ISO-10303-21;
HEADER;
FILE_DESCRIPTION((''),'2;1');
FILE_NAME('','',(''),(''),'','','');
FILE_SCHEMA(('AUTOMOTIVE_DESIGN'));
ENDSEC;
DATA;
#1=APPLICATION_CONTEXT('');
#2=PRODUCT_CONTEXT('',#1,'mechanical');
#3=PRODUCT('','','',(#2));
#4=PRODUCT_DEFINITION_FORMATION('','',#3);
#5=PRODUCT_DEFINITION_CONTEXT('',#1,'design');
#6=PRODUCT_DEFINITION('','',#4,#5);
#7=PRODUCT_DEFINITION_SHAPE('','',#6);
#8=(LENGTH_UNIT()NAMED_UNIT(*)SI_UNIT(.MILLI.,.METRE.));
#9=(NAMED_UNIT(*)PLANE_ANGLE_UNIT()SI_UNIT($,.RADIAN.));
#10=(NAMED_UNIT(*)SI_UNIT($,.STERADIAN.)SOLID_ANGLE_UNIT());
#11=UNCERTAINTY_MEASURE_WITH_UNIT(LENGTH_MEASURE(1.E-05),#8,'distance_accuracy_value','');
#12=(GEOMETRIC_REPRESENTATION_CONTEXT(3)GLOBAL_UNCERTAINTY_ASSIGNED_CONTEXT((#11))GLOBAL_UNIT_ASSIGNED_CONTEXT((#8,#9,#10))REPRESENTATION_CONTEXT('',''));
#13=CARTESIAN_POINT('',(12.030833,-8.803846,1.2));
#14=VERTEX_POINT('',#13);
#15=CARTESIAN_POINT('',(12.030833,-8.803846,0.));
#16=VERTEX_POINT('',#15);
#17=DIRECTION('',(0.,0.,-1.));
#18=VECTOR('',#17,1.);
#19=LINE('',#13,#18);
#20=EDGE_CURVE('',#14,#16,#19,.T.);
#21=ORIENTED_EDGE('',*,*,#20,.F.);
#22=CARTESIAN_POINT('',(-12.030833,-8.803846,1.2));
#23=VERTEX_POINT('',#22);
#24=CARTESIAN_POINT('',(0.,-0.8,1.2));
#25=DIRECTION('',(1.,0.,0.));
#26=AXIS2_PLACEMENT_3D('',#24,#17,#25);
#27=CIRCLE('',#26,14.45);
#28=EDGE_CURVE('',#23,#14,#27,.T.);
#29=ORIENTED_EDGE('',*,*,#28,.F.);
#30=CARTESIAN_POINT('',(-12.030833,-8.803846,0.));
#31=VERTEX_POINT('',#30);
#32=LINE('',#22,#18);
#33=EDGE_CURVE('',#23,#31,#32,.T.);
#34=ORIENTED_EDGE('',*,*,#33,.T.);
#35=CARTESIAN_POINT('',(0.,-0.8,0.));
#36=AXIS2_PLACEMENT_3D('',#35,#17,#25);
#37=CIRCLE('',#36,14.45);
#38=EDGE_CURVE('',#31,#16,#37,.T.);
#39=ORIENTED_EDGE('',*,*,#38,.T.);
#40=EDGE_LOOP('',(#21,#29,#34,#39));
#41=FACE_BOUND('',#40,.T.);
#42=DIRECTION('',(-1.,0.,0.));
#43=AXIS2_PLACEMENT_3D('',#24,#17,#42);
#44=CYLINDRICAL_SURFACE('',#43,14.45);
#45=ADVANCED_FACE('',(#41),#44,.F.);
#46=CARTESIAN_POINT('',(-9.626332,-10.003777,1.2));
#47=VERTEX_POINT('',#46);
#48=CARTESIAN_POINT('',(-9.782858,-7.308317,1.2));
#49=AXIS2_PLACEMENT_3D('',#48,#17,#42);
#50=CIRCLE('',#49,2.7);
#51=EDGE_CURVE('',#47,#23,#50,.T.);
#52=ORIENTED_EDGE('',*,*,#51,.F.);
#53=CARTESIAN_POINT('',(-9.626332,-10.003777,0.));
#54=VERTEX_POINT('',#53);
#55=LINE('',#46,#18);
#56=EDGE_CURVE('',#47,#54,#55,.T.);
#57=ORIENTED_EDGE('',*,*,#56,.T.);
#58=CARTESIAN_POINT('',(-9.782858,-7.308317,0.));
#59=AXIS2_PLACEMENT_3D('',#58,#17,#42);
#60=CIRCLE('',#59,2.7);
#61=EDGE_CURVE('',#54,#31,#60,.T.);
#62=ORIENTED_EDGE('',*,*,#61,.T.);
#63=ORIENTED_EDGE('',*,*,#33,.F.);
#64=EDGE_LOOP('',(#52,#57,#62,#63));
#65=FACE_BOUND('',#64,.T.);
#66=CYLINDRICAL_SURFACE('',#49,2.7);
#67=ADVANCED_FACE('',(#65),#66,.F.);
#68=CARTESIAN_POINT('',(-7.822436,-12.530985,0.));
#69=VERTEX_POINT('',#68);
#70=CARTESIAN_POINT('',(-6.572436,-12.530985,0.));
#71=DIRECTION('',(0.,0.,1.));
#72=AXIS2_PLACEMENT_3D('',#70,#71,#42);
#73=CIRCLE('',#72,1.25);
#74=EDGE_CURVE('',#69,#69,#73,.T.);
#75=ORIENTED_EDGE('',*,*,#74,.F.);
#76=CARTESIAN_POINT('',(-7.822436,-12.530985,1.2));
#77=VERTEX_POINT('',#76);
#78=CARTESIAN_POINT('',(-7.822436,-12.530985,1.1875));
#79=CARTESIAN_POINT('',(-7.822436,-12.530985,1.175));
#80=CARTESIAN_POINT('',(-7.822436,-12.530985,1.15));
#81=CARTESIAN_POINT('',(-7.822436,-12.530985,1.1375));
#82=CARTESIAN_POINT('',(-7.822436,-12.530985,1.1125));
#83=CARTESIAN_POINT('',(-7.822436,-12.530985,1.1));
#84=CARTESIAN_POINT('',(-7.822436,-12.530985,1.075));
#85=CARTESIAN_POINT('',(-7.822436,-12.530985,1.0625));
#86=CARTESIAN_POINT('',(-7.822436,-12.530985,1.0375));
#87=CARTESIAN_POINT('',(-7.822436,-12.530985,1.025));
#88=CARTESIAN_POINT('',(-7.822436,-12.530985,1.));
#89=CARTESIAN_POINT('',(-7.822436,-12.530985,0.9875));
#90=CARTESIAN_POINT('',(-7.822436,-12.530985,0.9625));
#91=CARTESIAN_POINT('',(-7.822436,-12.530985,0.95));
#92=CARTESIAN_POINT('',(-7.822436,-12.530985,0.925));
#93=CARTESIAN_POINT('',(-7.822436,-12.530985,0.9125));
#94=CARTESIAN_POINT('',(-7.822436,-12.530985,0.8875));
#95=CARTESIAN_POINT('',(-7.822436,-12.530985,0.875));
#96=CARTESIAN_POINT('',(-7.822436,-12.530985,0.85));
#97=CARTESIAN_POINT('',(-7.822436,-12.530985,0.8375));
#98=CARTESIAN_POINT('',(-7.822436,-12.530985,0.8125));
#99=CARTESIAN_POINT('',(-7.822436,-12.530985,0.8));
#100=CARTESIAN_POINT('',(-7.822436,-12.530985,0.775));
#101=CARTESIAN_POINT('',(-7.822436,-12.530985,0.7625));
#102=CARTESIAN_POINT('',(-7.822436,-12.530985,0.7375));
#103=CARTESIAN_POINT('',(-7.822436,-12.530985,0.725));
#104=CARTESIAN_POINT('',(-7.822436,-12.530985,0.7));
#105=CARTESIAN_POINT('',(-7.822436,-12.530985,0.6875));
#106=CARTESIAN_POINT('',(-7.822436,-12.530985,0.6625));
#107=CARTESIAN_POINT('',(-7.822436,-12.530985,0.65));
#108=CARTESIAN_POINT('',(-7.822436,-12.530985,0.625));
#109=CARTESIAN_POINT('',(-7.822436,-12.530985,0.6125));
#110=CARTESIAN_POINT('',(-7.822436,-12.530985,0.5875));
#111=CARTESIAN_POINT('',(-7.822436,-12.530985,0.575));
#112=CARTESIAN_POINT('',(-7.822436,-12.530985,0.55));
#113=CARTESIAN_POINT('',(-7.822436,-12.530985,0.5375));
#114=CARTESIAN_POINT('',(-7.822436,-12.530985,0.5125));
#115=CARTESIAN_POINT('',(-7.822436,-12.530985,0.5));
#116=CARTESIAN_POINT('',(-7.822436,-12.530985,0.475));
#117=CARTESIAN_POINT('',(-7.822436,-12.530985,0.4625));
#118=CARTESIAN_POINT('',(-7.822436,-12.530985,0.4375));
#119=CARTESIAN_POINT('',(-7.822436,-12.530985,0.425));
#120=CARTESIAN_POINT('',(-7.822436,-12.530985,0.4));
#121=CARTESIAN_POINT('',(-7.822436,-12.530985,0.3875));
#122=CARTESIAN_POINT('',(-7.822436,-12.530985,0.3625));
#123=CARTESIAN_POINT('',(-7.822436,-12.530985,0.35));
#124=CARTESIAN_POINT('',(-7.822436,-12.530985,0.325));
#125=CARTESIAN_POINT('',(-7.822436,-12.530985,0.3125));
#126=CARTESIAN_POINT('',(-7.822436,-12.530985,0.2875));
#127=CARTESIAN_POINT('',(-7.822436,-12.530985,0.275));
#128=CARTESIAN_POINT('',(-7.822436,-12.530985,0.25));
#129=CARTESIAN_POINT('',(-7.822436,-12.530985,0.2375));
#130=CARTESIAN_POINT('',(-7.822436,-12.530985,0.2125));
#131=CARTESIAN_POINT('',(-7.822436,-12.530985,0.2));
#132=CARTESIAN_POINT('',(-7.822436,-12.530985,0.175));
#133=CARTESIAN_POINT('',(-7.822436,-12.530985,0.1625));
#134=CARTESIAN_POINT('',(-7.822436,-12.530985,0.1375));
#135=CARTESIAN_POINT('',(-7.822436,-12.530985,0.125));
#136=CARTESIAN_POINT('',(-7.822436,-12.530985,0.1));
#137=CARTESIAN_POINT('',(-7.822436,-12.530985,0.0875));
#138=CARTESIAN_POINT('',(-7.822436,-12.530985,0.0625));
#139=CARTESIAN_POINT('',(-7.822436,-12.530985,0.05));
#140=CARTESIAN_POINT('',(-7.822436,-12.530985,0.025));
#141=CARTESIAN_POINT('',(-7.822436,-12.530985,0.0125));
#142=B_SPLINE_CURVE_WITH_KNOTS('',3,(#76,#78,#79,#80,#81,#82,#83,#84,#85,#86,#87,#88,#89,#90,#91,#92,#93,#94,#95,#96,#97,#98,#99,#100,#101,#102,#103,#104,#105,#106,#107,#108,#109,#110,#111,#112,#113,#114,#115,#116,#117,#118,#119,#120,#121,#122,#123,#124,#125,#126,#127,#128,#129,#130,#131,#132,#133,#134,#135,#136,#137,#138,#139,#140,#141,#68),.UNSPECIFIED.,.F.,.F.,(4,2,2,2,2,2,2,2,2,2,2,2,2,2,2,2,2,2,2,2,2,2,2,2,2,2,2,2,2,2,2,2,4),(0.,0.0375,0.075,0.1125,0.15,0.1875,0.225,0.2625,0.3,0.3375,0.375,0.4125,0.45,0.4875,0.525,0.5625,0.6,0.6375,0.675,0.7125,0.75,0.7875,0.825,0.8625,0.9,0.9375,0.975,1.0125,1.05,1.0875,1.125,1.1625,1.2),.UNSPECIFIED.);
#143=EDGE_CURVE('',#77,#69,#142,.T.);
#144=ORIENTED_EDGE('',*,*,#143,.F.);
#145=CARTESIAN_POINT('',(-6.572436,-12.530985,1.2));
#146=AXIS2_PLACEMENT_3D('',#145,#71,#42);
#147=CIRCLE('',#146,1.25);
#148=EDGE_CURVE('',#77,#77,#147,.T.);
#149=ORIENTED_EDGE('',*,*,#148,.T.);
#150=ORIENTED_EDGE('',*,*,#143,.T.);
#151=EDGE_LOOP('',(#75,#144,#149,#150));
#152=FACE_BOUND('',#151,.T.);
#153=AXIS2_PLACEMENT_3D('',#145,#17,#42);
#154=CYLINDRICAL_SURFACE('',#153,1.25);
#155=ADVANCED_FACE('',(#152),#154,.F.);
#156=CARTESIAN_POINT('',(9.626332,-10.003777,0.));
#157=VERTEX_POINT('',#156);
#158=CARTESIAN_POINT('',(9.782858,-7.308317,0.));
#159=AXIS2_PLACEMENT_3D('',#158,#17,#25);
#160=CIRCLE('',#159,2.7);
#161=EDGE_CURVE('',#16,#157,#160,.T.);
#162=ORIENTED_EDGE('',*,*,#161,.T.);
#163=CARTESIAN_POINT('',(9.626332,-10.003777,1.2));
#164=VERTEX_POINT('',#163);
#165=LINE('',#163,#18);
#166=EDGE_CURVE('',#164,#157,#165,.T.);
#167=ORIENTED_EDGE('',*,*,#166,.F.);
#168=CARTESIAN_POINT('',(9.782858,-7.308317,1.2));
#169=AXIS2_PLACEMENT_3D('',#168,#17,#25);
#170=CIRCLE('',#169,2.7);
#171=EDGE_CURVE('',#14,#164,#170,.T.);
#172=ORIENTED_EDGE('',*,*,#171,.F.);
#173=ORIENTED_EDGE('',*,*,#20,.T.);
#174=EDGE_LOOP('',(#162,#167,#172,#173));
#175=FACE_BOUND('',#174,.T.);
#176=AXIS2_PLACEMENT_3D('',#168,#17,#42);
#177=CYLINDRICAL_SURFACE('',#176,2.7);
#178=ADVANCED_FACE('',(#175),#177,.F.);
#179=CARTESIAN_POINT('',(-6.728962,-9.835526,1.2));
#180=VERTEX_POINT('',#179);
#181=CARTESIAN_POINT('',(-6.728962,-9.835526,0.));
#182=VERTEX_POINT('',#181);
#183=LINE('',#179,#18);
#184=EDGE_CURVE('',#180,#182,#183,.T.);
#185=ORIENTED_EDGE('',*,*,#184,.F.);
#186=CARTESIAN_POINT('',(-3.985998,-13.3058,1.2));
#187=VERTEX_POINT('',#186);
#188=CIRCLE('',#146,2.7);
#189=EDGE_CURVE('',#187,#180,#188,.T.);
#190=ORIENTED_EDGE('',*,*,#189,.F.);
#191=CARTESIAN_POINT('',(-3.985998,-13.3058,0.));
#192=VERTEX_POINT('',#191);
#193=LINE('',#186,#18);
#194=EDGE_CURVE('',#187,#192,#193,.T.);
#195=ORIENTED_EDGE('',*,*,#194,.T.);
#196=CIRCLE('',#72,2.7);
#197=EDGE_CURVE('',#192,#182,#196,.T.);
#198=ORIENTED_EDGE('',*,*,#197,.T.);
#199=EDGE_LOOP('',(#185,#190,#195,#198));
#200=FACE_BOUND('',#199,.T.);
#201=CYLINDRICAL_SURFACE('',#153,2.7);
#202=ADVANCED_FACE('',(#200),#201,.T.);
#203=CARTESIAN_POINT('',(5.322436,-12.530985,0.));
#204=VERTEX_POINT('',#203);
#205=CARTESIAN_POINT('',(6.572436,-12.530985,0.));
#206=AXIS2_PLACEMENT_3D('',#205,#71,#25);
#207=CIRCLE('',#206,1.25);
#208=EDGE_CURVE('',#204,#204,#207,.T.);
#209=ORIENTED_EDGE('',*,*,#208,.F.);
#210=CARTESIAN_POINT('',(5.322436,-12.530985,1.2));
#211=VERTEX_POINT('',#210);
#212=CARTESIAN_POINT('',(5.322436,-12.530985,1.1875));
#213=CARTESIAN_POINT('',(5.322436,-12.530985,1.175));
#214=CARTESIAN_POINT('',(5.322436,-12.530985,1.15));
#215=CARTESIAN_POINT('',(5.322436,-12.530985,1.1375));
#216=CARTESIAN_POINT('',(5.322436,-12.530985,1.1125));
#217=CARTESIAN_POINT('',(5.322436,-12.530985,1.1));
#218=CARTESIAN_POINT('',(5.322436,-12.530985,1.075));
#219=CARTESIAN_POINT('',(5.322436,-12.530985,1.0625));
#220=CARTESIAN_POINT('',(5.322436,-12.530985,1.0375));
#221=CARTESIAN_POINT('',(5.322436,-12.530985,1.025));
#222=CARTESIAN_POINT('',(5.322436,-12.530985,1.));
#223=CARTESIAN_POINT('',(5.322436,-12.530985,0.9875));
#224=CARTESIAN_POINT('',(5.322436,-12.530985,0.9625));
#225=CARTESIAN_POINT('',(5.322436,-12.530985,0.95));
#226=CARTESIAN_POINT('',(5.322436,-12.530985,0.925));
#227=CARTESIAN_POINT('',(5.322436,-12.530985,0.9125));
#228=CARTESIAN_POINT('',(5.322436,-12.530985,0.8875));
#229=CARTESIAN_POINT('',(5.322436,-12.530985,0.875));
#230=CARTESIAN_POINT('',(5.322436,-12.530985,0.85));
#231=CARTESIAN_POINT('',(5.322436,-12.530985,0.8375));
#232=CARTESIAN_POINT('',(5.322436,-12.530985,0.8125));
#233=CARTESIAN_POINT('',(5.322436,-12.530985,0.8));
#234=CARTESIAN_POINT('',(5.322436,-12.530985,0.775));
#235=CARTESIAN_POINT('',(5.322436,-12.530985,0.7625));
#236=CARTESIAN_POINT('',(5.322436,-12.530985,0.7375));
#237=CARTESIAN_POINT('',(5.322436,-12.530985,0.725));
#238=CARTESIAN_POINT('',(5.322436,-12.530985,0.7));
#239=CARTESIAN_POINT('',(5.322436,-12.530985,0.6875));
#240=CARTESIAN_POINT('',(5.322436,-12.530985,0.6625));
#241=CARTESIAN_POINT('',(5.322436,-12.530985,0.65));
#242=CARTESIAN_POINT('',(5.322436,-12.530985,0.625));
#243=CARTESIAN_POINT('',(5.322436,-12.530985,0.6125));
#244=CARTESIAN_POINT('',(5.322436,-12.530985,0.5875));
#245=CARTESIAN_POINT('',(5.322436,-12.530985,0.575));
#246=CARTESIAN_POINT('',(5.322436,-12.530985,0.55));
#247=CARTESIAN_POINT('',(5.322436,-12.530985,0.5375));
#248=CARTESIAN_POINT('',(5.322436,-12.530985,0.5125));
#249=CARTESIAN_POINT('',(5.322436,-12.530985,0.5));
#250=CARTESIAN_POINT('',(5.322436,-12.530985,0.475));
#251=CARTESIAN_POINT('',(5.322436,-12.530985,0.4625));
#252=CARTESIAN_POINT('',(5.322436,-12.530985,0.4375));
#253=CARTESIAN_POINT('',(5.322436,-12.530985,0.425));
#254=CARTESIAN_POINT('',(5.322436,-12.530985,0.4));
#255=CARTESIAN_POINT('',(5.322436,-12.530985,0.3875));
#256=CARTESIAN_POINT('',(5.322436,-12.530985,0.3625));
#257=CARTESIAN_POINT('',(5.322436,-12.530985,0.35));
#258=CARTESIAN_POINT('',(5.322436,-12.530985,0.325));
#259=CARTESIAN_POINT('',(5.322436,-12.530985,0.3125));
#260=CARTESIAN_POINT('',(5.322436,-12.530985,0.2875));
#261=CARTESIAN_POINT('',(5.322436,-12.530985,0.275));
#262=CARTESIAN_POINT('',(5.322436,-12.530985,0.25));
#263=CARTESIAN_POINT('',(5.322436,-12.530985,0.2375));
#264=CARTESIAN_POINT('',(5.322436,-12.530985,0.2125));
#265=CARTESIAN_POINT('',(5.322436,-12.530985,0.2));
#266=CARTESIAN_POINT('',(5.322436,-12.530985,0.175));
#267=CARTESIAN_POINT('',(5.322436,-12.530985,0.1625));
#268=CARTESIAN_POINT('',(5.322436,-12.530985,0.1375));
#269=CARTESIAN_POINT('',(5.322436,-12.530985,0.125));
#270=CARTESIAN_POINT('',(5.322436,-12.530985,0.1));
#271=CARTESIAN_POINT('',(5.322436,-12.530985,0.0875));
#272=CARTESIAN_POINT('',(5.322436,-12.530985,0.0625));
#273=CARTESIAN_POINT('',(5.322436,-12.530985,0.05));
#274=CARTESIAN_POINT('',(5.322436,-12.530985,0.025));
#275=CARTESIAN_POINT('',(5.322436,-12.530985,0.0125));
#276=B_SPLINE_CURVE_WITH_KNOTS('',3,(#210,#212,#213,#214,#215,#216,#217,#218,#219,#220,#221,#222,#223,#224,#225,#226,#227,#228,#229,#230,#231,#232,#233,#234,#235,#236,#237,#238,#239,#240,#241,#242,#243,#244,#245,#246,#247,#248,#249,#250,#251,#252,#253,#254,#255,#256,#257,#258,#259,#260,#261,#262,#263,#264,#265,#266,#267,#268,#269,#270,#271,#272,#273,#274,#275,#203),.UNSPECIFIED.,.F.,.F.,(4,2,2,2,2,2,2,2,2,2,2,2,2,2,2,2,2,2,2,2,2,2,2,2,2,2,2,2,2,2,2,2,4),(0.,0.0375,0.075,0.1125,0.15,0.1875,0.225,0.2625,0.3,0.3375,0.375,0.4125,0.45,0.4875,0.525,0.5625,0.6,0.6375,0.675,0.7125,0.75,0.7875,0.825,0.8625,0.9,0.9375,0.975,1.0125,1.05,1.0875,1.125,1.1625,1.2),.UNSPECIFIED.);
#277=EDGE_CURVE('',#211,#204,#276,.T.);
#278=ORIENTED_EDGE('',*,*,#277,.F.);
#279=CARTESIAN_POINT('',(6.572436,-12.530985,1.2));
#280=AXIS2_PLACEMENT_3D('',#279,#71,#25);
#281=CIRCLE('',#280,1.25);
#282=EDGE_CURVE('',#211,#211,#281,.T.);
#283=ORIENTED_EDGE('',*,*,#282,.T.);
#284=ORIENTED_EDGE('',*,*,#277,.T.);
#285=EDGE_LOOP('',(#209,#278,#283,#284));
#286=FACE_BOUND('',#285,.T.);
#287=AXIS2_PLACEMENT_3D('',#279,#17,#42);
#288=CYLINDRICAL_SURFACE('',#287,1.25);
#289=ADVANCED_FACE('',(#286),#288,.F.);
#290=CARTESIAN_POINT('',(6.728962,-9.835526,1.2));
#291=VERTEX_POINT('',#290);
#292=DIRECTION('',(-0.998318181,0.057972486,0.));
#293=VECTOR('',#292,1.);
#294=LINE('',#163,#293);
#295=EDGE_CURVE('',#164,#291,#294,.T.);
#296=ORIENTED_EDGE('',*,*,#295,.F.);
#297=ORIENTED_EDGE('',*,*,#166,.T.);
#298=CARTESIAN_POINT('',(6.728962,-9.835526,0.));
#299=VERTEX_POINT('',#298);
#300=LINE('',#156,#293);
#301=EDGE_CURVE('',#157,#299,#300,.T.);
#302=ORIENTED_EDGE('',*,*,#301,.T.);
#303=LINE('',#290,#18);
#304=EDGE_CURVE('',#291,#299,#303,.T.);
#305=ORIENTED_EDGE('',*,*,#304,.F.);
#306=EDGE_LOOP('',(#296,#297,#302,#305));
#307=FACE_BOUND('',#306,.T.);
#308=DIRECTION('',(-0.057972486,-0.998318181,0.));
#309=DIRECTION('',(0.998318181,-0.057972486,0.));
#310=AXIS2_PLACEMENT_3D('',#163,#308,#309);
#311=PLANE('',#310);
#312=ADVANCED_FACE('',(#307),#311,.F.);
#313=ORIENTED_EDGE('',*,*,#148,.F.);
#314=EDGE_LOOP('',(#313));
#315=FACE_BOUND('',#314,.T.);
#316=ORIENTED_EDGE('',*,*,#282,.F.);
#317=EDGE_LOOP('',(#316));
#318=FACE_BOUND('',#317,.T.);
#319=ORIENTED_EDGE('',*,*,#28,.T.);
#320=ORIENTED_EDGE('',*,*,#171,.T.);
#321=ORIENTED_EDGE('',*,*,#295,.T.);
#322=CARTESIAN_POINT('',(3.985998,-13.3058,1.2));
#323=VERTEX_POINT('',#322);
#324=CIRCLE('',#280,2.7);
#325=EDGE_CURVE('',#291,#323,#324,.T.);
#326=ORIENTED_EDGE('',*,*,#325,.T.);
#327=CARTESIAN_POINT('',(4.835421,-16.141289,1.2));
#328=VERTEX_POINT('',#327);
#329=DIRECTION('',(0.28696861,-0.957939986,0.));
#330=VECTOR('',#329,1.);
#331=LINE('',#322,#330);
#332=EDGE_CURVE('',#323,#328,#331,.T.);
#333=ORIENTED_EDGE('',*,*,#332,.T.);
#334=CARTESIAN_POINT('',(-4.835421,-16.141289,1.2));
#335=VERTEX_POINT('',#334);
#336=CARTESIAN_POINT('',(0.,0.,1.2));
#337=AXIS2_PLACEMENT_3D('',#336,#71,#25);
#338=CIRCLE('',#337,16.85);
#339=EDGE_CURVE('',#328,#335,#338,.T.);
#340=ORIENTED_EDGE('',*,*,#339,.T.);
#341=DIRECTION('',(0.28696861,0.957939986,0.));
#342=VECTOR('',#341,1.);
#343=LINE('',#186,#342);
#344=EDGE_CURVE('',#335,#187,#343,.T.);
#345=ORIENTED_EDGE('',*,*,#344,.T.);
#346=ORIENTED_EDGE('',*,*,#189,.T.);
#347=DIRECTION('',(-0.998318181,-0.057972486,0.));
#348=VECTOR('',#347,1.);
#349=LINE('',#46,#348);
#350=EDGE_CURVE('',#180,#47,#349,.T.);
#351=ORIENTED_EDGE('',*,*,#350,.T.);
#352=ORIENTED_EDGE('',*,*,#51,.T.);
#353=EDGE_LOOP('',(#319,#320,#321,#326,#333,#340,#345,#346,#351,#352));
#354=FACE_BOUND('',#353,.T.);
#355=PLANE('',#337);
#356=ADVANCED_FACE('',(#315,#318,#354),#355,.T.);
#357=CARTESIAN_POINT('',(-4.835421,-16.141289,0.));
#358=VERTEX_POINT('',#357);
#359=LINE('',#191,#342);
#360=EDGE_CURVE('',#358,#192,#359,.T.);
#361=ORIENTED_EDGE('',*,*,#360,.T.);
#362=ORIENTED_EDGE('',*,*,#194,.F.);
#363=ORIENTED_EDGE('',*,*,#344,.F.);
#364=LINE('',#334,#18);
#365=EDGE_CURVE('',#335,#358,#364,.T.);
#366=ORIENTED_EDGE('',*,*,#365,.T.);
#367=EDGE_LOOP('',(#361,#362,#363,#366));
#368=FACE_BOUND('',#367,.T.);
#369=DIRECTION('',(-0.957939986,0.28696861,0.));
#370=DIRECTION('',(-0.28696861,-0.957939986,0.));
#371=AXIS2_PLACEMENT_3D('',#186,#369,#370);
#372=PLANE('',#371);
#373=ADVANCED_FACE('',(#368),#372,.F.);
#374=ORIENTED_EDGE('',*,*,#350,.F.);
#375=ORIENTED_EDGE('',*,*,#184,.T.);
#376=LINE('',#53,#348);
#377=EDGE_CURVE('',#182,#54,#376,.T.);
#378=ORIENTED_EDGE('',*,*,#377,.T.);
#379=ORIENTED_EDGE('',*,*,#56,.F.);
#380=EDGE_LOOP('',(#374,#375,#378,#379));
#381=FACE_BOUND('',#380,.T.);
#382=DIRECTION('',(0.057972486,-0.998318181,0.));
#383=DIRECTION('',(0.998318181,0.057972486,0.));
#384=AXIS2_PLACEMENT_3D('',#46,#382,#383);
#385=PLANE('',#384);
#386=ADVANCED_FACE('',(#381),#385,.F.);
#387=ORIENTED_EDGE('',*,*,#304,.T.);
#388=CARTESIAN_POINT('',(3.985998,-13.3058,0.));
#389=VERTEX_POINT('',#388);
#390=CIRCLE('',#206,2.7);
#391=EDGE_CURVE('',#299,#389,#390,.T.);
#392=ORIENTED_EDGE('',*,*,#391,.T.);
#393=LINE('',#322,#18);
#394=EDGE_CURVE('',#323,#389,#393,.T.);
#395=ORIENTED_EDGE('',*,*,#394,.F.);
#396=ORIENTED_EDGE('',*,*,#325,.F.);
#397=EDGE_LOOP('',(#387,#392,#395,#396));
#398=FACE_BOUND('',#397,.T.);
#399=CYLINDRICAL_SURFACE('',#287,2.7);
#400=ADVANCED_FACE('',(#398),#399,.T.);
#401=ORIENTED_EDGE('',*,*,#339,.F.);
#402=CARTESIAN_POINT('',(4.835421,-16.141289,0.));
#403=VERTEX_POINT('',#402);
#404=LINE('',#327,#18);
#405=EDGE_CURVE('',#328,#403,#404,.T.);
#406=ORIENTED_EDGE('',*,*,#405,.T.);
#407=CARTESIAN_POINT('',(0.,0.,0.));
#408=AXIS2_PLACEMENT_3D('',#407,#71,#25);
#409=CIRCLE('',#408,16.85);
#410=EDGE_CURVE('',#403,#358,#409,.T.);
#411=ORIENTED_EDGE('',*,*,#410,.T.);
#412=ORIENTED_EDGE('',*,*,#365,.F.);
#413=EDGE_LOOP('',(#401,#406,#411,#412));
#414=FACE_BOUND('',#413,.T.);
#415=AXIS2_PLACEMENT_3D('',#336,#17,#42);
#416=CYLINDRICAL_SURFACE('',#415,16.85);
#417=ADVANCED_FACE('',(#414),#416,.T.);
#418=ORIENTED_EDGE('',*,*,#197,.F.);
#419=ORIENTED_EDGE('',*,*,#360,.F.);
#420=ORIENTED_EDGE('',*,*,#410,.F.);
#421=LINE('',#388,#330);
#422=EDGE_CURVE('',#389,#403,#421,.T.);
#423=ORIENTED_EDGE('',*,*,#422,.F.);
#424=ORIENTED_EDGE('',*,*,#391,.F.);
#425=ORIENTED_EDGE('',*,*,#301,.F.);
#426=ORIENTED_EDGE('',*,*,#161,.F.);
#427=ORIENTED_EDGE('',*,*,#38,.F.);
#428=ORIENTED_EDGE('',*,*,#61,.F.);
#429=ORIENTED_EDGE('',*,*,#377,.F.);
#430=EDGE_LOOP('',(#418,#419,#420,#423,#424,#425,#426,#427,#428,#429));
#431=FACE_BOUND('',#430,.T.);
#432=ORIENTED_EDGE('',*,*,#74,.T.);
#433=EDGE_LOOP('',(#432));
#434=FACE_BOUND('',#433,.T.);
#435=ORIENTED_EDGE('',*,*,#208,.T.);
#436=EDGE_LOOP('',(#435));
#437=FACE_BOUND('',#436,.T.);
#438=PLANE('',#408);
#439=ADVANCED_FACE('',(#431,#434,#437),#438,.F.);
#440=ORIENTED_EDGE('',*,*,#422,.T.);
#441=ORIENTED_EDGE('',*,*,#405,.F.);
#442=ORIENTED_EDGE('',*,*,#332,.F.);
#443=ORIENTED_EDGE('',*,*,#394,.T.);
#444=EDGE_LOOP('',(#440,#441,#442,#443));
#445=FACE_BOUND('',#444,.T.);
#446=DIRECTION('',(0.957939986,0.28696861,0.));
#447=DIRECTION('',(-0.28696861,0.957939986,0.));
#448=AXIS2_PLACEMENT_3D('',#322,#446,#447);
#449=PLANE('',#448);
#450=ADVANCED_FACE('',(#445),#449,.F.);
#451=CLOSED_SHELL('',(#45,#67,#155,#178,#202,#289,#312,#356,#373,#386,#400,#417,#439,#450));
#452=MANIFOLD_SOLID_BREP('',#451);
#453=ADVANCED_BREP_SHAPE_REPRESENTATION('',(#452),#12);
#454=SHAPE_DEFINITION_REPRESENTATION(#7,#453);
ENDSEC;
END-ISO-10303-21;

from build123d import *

# Parameters (mm, degrees)
ESQUISSE1_R          = 1.25
BASE_EXTRUSION_DEPTH = 1.2


with BuildPart() as part:
    # Esquisse1 → Base-Extrusion (new body)
    with BuildSketch(Plane.XY):
        with BuildLine():
            Line((3.985998124, -13.3058002), (4.835421078, -16.141288765))
            ThreePointArc((4.835421078, -16.141288765), (0, 16.85), (-4.835421078, -16.141288765))
            Line((-4.835421078, -16.141288765), (-3.985998124, -13.3058002))
            ThreePointArc((-3.985998124, -13.3058002), (-4.454224724, -10.856714777), (-6.728961799, -9.835525864))
            Line((-6.728961799, -9.835525864), (-9.626331919, -10.00377658))
            ThreePointArc((-9.626331919, -10.00377658), (-10.988469241, -9.724202556), (-12.030833428, -8.803845765))
            ThreePointArc((-12.030833428, -8.803845765), (0, 13.65), (12.030833428, -8.803845765))
            ThreePointArc((12.030833428, -8.803845765), (10.988469241, -9.724202556), (9.626331919, -10.00377658))
            Line((9.626331919, -10.00377658), (6.728961799, -9.835525864))
            ThreePointArc((6.728961799, -9.835525864), (4.454224724, -10.856714777), (3.985998124, -13.3058002))
        make_face()
        with Locations(Location((6.572436087, -12.530984953, 0), (0, 0, 180))):
            Circle(ESQUISSE1_R, mode=Mode.SUBTRACT)
        with Locations(Location((-6.572436087, -12.530984953, 0), (0, 0, 180))):
            Circle(ESQUISSE1_R, mode=Mode.SUBTRACT)
    extrude(amount=BASE_EXTRUSION_DEPTH)


solid = part.part
